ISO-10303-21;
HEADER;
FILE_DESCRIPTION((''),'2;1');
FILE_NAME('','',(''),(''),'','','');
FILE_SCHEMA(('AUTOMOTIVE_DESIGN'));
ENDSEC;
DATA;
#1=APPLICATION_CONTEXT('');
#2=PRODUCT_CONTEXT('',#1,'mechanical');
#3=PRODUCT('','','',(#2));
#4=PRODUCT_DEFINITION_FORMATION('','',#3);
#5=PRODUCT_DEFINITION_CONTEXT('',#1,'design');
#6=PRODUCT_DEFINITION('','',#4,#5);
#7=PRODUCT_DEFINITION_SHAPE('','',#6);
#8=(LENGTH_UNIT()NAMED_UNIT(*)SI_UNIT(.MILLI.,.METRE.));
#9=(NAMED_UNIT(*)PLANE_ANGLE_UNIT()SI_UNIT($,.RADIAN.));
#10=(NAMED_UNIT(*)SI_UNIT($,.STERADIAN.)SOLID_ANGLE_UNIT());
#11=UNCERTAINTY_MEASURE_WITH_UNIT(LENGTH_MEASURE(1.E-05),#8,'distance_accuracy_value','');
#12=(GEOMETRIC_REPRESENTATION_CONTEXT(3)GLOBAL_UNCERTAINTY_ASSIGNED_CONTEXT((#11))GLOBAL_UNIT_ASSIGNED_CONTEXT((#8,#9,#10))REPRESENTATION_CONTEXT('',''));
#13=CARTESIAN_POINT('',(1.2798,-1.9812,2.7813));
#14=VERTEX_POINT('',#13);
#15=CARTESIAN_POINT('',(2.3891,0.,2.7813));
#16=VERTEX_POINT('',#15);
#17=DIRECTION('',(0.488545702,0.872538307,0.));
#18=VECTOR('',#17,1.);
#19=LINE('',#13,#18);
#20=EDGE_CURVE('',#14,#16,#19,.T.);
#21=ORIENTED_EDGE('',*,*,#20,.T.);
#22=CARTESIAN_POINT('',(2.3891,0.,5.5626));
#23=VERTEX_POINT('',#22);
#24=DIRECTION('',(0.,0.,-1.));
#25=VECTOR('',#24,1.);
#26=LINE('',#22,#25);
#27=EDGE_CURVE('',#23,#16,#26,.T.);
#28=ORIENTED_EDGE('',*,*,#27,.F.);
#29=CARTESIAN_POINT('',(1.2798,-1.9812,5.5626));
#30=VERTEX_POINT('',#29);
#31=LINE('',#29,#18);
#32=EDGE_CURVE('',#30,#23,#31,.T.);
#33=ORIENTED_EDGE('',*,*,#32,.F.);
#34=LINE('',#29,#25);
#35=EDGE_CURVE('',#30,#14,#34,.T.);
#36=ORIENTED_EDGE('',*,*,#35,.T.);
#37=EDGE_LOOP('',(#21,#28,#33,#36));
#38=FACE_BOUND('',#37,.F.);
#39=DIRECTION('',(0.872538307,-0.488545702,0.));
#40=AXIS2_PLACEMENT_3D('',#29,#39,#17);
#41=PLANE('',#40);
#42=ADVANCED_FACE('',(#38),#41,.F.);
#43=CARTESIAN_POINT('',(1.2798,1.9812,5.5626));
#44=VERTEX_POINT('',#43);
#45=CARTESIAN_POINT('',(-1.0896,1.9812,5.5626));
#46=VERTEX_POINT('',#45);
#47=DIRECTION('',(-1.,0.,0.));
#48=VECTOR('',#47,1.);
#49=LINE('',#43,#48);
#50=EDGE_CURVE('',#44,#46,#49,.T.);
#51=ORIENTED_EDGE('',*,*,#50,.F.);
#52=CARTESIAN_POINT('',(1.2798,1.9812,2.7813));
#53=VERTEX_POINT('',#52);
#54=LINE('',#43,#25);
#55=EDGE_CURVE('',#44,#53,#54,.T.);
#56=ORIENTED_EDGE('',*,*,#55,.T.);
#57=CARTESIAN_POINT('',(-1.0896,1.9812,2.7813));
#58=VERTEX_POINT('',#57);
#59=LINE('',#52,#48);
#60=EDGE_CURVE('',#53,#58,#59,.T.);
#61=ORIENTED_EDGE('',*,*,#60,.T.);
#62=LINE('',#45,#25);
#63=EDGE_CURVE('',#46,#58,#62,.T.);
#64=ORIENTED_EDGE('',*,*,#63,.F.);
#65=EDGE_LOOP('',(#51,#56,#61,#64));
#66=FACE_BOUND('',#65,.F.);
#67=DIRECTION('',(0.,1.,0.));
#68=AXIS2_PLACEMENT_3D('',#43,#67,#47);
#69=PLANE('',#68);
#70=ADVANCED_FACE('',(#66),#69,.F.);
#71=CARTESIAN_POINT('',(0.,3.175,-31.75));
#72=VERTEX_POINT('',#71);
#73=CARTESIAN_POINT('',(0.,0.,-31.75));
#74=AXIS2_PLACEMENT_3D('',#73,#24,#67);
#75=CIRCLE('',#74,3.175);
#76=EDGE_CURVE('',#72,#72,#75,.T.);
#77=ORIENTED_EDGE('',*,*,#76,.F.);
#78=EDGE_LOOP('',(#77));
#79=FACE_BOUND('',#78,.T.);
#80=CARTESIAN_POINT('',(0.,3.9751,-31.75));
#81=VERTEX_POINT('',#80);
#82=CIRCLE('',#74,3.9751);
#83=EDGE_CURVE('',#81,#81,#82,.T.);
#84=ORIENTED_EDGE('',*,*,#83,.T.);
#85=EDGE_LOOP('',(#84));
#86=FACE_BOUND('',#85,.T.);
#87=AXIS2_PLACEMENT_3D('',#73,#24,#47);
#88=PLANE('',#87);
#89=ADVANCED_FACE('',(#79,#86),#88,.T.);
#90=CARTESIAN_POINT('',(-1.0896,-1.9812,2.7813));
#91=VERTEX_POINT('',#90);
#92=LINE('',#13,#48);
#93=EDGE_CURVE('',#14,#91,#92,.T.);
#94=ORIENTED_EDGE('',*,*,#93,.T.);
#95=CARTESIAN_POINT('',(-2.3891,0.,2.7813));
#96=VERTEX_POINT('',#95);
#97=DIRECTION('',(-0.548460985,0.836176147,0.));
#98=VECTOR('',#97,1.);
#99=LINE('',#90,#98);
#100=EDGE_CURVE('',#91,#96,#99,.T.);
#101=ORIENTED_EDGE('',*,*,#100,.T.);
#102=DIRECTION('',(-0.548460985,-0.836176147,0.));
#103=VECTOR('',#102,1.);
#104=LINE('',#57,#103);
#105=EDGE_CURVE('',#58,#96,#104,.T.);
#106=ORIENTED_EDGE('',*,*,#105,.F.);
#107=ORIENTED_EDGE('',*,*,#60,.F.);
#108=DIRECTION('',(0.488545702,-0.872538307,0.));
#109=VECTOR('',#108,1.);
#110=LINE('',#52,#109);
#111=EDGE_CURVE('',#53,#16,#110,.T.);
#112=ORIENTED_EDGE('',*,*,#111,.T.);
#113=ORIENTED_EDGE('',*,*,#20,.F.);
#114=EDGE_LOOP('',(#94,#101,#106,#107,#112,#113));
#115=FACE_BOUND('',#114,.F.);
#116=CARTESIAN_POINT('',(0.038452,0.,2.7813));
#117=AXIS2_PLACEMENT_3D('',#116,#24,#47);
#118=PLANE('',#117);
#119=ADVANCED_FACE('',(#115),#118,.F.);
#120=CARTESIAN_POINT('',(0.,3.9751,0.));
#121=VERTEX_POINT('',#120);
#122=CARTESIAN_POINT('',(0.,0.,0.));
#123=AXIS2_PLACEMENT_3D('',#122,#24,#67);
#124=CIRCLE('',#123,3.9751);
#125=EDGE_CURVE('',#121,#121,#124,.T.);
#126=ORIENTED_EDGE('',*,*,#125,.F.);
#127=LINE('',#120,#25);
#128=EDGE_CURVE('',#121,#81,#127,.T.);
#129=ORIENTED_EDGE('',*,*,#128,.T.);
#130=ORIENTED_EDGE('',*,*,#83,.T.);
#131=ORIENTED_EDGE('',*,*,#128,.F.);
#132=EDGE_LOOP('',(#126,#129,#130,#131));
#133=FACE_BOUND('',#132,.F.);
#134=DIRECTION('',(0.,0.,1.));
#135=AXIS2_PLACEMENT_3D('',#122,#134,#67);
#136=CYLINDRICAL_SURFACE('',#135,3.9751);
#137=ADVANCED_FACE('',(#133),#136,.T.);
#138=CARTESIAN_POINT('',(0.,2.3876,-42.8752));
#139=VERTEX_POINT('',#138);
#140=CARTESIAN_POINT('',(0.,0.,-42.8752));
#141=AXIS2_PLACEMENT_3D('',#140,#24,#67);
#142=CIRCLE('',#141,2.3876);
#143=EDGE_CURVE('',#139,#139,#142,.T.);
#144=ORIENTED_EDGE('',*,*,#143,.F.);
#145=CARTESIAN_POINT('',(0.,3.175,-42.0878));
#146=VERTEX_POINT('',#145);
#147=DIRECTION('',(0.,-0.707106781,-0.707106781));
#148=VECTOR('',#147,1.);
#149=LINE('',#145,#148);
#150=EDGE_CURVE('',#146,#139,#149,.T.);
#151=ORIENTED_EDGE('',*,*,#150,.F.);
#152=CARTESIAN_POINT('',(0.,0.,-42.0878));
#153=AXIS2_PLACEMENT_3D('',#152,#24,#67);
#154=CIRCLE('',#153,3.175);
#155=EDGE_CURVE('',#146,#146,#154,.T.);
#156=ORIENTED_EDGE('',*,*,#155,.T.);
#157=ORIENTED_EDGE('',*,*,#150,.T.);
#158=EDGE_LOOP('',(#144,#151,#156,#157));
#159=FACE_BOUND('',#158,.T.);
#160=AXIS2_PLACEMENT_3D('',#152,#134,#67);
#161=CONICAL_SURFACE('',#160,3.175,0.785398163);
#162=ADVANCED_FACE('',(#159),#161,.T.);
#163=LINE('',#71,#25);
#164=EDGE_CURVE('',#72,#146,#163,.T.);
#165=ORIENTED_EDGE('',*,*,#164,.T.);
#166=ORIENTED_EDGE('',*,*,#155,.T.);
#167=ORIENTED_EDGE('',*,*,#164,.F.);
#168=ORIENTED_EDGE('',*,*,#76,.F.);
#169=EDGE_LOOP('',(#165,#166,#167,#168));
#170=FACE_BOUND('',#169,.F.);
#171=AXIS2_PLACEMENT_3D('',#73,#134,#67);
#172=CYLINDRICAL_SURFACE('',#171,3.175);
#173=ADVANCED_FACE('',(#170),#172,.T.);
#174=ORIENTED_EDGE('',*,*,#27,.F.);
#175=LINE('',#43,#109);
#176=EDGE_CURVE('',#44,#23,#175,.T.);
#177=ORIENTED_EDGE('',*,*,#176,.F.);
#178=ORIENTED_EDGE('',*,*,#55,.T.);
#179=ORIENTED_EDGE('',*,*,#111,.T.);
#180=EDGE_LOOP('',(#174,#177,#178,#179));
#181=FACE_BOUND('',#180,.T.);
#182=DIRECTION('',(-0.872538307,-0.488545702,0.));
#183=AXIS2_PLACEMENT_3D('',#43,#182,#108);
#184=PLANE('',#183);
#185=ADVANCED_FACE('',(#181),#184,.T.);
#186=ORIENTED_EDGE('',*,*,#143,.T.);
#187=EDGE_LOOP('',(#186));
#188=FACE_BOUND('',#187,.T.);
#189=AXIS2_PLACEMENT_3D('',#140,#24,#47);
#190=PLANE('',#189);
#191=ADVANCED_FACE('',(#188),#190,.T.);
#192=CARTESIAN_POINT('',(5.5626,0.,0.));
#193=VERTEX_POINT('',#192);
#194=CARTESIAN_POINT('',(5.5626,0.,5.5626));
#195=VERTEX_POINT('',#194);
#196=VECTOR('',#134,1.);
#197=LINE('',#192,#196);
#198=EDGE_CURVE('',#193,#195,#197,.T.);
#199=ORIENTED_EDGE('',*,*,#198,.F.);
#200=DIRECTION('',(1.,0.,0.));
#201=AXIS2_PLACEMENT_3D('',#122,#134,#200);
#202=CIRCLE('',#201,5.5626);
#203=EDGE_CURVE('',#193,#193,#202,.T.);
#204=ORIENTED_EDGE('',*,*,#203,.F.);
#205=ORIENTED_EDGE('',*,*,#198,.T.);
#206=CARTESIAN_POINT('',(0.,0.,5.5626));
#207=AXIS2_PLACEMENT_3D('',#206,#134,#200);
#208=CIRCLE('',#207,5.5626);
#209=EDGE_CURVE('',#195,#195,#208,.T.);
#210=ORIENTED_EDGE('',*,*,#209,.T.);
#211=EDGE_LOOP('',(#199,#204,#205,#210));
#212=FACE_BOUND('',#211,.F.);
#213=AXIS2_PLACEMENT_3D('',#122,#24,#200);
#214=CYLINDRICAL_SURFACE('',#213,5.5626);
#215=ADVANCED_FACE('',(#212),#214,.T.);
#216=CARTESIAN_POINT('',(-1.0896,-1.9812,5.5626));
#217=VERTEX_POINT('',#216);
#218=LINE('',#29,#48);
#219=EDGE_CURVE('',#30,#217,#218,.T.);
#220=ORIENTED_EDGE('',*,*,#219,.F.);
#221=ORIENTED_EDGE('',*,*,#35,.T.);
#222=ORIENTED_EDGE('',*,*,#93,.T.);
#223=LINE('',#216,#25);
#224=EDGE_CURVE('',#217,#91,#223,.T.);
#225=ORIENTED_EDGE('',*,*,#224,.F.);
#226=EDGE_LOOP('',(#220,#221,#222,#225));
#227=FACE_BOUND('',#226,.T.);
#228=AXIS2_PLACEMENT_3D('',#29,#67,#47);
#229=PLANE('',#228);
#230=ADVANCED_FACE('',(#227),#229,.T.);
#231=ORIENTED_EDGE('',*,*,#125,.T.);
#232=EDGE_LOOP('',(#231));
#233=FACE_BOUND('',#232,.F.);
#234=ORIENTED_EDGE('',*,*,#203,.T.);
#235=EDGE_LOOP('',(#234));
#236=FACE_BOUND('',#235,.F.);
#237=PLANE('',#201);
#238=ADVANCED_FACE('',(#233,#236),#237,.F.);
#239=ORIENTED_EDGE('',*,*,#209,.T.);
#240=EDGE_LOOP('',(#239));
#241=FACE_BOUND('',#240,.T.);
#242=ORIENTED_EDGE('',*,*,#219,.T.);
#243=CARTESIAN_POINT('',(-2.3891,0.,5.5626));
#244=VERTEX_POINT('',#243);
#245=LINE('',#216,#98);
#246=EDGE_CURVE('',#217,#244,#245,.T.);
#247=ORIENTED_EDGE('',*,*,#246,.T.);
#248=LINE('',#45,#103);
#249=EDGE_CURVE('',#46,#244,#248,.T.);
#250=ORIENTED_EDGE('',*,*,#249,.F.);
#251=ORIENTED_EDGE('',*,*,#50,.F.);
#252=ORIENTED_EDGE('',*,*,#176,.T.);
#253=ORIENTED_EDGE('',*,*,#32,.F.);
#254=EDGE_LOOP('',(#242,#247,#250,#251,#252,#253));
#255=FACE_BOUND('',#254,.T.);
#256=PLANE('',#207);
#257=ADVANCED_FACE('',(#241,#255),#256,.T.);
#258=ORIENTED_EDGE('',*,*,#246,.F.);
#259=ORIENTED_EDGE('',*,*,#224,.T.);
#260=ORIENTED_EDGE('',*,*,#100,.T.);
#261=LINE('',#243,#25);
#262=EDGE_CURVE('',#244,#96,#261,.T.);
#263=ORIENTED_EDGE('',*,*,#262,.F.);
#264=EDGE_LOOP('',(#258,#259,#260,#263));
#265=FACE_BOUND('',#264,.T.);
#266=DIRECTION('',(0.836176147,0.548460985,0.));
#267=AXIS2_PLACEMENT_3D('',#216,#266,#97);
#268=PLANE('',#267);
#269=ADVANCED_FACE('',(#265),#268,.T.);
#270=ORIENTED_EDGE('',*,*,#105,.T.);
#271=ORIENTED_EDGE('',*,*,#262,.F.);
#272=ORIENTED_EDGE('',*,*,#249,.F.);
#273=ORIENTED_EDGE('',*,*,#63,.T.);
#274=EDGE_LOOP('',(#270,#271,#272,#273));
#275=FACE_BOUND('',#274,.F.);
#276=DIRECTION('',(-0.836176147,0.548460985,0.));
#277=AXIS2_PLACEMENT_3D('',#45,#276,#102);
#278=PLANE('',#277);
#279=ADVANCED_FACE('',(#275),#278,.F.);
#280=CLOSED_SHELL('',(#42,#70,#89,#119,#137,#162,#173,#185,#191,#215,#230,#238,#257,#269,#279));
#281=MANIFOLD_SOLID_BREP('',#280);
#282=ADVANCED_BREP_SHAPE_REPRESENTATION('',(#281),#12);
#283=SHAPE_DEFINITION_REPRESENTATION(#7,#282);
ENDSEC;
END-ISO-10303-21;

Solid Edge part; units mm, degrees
sketch "Sketch1" plane through (0, 0, 0) normal (0, 0, 1) x (1, 0, 0)
  circle A0 centre (0, 0) radius 5.5626
  dimension "D1" = 11.1252
extrude "Protrusion1" add sketch "Sketch1" along normal blind 5.5626
sketch "Sketch2" plane through (0, 0, 0) normal (0, 0, -1) x (0, 1, 0)
  circle A0 centre (0, 0) radius 3.9751
  dimension "D1" = 7.9502
extrude "Protrusion2" add sketch "Sketch2" along normal blind 31.75
sketch "Sketch3" plane through (0, 0, -31.75) normal (0, 0, -1) x (0, 1, 0)
  circle A0 centre (0, 0) radius 3.175
  dimension "D1" = 6.35
extrude "Protrusion3" add sketch "Sketch3" along normal blind 11.1252
sketch "Sketch4" plane through (0, 0, 5.5626) normal (0, 0, 1) x (0, 1, 0)
  line L0 (-1.9812, 1.0896) -> (0, 2.3891)
  line L1 (-1.9812, -1.2798) -> (-1.9812, 1.0896)
  line L2 (-1.9812, -1.2798) -> (0, -2.3891)
  line L3 (1.9812, -1.2798) -> (0, -2.3891)
  line L4 (1.9812, -1.2798) -> (1.9812, 1.0896)
  line L5 (1.9812, 1.0896) -> (0, 2.3891)
  dimension "D1" = 3.9624
extrude "Cutout1" cut sketch "Sketch4" against normal blind 2.7813
chamfer "Chamfer1" distance 0.7874 angle 45 1 edges at (0, -3.175, -42.8752)
properties part number "24101950"
